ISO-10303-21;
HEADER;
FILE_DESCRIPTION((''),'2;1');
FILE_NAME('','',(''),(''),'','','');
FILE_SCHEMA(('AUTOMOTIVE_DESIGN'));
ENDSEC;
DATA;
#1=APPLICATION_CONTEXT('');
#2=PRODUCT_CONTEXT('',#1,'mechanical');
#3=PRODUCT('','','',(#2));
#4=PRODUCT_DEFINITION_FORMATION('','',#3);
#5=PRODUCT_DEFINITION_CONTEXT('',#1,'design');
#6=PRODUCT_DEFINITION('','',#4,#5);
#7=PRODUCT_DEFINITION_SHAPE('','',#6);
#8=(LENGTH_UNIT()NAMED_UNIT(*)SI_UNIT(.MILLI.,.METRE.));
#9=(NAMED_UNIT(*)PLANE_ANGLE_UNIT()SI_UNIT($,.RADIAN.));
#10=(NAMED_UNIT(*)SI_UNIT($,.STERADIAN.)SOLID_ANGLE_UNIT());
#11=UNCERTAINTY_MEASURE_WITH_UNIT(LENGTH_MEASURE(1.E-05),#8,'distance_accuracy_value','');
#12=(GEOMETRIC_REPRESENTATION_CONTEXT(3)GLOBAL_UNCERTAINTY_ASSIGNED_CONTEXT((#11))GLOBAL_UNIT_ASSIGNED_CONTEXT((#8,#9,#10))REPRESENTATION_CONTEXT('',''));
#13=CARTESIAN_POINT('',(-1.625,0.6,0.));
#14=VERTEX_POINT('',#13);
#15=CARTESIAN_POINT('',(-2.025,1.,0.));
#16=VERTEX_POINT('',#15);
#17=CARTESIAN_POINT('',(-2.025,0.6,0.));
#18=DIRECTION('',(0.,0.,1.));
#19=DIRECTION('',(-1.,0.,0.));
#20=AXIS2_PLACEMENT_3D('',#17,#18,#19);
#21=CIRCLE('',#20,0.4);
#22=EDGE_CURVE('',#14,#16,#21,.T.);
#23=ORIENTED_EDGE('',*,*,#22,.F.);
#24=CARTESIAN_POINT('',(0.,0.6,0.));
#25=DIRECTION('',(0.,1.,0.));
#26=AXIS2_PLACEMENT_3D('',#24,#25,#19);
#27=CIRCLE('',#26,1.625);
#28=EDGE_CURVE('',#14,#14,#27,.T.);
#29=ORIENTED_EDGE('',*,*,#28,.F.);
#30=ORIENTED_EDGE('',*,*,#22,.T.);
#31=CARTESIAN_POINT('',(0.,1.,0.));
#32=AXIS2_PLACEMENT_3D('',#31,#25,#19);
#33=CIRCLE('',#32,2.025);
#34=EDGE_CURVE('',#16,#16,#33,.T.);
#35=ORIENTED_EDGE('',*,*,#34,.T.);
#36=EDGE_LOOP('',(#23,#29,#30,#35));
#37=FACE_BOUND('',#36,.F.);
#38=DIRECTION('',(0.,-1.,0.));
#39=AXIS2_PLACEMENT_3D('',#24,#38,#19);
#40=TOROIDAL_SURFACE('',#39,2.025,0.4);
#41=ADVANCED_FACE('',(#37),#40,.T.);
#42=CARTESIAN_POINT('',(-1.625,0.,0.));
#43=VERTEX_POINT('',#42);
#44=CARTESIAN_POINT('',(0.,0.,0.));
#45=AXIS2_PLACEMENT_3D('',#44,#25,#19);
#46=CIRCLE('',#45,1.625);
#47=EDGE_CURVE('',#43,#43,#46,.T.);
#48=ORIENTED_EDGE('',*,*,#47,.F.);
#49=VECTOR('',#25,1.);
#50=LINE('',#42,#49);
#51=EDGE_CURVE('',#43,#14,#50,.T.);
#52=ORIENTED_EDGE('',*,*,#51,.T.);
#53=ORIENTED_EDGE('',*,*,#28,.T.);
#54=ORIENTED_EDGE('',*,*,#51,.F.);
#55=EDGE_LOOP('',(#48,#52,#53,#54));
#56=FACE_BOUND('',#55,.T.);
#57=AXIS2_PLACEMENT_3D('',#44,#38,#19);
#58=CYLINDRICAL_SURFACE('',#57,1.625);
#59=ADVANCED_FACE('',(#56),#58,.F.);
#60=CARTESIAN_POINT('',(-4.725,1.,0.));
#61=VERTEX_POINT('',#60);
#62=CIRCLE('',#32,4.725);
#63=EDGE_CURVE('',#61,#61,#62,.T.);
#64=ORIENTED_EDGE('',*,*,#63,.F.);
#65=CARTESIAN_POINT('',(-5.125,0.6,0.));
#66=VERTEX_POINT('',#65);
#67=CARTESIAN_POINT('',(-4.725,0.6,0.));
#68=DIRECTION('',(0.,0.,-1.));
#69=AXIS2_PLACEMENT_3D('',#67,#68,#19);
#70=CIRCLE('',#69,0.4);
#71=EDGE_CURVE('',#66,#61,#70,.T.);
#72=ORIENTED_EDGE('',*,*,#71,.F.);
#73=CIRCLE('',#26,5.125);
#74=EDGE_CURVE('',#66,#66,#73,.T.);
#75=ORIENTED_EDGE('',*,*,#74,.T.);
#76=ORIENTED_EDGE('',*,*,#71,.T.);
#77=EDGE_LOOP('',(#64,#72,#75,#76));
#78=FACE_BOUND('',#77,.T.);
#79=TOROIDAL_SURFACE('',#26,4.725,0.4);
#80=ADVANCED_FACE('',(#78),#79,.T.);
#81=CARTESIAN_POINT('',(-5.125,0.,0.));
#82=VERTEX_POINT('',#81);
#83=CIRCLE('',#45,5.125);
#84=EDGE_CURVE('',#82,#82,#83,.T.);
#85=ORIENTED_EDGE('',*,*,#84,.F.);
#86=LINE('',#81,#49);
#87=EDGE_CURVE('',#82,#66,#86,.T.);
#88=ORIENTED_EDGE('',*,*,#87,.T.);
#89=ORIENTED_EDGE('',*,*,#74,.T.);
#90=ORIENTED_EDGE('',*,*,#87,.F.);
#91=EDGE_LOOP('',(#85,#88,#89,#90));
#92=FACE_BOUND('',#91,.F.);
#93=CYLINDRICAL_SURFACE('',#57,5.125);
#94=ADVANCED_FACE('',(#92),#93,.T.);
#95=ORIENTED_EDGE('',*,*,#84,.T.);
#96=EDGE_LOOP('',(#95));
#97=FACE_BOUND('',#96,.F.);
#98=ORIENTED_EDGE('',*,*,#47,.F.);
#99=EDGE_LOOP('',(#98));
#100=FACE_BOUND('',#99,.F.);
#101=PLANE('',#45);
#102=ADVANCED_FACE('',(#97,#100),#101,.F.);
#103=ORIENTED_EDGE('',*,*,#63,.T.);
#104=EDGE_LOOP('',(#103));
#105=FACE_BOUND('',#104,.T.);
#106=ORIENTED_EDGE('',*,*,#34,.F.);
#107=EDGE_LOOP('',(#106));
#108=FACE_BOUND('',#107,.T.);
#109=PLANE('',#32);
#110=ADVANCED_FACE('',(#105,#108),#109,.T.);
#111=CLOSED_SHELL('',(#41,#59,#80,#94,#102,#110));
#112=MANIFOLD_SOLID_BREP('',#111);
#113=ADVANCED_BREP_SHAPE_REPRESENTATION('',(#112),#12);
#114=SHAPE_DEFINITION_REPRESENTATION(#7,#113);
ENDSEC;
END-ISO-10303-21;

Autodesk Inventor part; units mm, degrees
ref_plane "YZ Plane" through (0, 0, 0) normal (1, 0, 0) x (0, 1, 0)
ref_plane "XZ Plane" through (0, 0, 0) normal (0, 1, 0) x (-1, 0, 0)
ref_plane "XY Plane" through (0, 0, 0) normal (0, 0, 1) x (1, 0, 0)
sketch "Esboço1" plane through (0, 0, 0) normal (0, 1, 0) x (-1, 0, 0)
  circle A0 centre (0, 0) radius 1.625
  circle A1 centre (0, 0) radius 5.125
  dimension "d0" = 3.25
  dimension "d1" = 10.25
extrude "Extrusão1" add sketch "Esboço1" along normal blind 1
fillet "Arredondamento1" radius 0.4 2 edges at (5.125, 1, 0) (1.625, 1, 0)
properties part number "ruela m3" material "Aço, carbono"
